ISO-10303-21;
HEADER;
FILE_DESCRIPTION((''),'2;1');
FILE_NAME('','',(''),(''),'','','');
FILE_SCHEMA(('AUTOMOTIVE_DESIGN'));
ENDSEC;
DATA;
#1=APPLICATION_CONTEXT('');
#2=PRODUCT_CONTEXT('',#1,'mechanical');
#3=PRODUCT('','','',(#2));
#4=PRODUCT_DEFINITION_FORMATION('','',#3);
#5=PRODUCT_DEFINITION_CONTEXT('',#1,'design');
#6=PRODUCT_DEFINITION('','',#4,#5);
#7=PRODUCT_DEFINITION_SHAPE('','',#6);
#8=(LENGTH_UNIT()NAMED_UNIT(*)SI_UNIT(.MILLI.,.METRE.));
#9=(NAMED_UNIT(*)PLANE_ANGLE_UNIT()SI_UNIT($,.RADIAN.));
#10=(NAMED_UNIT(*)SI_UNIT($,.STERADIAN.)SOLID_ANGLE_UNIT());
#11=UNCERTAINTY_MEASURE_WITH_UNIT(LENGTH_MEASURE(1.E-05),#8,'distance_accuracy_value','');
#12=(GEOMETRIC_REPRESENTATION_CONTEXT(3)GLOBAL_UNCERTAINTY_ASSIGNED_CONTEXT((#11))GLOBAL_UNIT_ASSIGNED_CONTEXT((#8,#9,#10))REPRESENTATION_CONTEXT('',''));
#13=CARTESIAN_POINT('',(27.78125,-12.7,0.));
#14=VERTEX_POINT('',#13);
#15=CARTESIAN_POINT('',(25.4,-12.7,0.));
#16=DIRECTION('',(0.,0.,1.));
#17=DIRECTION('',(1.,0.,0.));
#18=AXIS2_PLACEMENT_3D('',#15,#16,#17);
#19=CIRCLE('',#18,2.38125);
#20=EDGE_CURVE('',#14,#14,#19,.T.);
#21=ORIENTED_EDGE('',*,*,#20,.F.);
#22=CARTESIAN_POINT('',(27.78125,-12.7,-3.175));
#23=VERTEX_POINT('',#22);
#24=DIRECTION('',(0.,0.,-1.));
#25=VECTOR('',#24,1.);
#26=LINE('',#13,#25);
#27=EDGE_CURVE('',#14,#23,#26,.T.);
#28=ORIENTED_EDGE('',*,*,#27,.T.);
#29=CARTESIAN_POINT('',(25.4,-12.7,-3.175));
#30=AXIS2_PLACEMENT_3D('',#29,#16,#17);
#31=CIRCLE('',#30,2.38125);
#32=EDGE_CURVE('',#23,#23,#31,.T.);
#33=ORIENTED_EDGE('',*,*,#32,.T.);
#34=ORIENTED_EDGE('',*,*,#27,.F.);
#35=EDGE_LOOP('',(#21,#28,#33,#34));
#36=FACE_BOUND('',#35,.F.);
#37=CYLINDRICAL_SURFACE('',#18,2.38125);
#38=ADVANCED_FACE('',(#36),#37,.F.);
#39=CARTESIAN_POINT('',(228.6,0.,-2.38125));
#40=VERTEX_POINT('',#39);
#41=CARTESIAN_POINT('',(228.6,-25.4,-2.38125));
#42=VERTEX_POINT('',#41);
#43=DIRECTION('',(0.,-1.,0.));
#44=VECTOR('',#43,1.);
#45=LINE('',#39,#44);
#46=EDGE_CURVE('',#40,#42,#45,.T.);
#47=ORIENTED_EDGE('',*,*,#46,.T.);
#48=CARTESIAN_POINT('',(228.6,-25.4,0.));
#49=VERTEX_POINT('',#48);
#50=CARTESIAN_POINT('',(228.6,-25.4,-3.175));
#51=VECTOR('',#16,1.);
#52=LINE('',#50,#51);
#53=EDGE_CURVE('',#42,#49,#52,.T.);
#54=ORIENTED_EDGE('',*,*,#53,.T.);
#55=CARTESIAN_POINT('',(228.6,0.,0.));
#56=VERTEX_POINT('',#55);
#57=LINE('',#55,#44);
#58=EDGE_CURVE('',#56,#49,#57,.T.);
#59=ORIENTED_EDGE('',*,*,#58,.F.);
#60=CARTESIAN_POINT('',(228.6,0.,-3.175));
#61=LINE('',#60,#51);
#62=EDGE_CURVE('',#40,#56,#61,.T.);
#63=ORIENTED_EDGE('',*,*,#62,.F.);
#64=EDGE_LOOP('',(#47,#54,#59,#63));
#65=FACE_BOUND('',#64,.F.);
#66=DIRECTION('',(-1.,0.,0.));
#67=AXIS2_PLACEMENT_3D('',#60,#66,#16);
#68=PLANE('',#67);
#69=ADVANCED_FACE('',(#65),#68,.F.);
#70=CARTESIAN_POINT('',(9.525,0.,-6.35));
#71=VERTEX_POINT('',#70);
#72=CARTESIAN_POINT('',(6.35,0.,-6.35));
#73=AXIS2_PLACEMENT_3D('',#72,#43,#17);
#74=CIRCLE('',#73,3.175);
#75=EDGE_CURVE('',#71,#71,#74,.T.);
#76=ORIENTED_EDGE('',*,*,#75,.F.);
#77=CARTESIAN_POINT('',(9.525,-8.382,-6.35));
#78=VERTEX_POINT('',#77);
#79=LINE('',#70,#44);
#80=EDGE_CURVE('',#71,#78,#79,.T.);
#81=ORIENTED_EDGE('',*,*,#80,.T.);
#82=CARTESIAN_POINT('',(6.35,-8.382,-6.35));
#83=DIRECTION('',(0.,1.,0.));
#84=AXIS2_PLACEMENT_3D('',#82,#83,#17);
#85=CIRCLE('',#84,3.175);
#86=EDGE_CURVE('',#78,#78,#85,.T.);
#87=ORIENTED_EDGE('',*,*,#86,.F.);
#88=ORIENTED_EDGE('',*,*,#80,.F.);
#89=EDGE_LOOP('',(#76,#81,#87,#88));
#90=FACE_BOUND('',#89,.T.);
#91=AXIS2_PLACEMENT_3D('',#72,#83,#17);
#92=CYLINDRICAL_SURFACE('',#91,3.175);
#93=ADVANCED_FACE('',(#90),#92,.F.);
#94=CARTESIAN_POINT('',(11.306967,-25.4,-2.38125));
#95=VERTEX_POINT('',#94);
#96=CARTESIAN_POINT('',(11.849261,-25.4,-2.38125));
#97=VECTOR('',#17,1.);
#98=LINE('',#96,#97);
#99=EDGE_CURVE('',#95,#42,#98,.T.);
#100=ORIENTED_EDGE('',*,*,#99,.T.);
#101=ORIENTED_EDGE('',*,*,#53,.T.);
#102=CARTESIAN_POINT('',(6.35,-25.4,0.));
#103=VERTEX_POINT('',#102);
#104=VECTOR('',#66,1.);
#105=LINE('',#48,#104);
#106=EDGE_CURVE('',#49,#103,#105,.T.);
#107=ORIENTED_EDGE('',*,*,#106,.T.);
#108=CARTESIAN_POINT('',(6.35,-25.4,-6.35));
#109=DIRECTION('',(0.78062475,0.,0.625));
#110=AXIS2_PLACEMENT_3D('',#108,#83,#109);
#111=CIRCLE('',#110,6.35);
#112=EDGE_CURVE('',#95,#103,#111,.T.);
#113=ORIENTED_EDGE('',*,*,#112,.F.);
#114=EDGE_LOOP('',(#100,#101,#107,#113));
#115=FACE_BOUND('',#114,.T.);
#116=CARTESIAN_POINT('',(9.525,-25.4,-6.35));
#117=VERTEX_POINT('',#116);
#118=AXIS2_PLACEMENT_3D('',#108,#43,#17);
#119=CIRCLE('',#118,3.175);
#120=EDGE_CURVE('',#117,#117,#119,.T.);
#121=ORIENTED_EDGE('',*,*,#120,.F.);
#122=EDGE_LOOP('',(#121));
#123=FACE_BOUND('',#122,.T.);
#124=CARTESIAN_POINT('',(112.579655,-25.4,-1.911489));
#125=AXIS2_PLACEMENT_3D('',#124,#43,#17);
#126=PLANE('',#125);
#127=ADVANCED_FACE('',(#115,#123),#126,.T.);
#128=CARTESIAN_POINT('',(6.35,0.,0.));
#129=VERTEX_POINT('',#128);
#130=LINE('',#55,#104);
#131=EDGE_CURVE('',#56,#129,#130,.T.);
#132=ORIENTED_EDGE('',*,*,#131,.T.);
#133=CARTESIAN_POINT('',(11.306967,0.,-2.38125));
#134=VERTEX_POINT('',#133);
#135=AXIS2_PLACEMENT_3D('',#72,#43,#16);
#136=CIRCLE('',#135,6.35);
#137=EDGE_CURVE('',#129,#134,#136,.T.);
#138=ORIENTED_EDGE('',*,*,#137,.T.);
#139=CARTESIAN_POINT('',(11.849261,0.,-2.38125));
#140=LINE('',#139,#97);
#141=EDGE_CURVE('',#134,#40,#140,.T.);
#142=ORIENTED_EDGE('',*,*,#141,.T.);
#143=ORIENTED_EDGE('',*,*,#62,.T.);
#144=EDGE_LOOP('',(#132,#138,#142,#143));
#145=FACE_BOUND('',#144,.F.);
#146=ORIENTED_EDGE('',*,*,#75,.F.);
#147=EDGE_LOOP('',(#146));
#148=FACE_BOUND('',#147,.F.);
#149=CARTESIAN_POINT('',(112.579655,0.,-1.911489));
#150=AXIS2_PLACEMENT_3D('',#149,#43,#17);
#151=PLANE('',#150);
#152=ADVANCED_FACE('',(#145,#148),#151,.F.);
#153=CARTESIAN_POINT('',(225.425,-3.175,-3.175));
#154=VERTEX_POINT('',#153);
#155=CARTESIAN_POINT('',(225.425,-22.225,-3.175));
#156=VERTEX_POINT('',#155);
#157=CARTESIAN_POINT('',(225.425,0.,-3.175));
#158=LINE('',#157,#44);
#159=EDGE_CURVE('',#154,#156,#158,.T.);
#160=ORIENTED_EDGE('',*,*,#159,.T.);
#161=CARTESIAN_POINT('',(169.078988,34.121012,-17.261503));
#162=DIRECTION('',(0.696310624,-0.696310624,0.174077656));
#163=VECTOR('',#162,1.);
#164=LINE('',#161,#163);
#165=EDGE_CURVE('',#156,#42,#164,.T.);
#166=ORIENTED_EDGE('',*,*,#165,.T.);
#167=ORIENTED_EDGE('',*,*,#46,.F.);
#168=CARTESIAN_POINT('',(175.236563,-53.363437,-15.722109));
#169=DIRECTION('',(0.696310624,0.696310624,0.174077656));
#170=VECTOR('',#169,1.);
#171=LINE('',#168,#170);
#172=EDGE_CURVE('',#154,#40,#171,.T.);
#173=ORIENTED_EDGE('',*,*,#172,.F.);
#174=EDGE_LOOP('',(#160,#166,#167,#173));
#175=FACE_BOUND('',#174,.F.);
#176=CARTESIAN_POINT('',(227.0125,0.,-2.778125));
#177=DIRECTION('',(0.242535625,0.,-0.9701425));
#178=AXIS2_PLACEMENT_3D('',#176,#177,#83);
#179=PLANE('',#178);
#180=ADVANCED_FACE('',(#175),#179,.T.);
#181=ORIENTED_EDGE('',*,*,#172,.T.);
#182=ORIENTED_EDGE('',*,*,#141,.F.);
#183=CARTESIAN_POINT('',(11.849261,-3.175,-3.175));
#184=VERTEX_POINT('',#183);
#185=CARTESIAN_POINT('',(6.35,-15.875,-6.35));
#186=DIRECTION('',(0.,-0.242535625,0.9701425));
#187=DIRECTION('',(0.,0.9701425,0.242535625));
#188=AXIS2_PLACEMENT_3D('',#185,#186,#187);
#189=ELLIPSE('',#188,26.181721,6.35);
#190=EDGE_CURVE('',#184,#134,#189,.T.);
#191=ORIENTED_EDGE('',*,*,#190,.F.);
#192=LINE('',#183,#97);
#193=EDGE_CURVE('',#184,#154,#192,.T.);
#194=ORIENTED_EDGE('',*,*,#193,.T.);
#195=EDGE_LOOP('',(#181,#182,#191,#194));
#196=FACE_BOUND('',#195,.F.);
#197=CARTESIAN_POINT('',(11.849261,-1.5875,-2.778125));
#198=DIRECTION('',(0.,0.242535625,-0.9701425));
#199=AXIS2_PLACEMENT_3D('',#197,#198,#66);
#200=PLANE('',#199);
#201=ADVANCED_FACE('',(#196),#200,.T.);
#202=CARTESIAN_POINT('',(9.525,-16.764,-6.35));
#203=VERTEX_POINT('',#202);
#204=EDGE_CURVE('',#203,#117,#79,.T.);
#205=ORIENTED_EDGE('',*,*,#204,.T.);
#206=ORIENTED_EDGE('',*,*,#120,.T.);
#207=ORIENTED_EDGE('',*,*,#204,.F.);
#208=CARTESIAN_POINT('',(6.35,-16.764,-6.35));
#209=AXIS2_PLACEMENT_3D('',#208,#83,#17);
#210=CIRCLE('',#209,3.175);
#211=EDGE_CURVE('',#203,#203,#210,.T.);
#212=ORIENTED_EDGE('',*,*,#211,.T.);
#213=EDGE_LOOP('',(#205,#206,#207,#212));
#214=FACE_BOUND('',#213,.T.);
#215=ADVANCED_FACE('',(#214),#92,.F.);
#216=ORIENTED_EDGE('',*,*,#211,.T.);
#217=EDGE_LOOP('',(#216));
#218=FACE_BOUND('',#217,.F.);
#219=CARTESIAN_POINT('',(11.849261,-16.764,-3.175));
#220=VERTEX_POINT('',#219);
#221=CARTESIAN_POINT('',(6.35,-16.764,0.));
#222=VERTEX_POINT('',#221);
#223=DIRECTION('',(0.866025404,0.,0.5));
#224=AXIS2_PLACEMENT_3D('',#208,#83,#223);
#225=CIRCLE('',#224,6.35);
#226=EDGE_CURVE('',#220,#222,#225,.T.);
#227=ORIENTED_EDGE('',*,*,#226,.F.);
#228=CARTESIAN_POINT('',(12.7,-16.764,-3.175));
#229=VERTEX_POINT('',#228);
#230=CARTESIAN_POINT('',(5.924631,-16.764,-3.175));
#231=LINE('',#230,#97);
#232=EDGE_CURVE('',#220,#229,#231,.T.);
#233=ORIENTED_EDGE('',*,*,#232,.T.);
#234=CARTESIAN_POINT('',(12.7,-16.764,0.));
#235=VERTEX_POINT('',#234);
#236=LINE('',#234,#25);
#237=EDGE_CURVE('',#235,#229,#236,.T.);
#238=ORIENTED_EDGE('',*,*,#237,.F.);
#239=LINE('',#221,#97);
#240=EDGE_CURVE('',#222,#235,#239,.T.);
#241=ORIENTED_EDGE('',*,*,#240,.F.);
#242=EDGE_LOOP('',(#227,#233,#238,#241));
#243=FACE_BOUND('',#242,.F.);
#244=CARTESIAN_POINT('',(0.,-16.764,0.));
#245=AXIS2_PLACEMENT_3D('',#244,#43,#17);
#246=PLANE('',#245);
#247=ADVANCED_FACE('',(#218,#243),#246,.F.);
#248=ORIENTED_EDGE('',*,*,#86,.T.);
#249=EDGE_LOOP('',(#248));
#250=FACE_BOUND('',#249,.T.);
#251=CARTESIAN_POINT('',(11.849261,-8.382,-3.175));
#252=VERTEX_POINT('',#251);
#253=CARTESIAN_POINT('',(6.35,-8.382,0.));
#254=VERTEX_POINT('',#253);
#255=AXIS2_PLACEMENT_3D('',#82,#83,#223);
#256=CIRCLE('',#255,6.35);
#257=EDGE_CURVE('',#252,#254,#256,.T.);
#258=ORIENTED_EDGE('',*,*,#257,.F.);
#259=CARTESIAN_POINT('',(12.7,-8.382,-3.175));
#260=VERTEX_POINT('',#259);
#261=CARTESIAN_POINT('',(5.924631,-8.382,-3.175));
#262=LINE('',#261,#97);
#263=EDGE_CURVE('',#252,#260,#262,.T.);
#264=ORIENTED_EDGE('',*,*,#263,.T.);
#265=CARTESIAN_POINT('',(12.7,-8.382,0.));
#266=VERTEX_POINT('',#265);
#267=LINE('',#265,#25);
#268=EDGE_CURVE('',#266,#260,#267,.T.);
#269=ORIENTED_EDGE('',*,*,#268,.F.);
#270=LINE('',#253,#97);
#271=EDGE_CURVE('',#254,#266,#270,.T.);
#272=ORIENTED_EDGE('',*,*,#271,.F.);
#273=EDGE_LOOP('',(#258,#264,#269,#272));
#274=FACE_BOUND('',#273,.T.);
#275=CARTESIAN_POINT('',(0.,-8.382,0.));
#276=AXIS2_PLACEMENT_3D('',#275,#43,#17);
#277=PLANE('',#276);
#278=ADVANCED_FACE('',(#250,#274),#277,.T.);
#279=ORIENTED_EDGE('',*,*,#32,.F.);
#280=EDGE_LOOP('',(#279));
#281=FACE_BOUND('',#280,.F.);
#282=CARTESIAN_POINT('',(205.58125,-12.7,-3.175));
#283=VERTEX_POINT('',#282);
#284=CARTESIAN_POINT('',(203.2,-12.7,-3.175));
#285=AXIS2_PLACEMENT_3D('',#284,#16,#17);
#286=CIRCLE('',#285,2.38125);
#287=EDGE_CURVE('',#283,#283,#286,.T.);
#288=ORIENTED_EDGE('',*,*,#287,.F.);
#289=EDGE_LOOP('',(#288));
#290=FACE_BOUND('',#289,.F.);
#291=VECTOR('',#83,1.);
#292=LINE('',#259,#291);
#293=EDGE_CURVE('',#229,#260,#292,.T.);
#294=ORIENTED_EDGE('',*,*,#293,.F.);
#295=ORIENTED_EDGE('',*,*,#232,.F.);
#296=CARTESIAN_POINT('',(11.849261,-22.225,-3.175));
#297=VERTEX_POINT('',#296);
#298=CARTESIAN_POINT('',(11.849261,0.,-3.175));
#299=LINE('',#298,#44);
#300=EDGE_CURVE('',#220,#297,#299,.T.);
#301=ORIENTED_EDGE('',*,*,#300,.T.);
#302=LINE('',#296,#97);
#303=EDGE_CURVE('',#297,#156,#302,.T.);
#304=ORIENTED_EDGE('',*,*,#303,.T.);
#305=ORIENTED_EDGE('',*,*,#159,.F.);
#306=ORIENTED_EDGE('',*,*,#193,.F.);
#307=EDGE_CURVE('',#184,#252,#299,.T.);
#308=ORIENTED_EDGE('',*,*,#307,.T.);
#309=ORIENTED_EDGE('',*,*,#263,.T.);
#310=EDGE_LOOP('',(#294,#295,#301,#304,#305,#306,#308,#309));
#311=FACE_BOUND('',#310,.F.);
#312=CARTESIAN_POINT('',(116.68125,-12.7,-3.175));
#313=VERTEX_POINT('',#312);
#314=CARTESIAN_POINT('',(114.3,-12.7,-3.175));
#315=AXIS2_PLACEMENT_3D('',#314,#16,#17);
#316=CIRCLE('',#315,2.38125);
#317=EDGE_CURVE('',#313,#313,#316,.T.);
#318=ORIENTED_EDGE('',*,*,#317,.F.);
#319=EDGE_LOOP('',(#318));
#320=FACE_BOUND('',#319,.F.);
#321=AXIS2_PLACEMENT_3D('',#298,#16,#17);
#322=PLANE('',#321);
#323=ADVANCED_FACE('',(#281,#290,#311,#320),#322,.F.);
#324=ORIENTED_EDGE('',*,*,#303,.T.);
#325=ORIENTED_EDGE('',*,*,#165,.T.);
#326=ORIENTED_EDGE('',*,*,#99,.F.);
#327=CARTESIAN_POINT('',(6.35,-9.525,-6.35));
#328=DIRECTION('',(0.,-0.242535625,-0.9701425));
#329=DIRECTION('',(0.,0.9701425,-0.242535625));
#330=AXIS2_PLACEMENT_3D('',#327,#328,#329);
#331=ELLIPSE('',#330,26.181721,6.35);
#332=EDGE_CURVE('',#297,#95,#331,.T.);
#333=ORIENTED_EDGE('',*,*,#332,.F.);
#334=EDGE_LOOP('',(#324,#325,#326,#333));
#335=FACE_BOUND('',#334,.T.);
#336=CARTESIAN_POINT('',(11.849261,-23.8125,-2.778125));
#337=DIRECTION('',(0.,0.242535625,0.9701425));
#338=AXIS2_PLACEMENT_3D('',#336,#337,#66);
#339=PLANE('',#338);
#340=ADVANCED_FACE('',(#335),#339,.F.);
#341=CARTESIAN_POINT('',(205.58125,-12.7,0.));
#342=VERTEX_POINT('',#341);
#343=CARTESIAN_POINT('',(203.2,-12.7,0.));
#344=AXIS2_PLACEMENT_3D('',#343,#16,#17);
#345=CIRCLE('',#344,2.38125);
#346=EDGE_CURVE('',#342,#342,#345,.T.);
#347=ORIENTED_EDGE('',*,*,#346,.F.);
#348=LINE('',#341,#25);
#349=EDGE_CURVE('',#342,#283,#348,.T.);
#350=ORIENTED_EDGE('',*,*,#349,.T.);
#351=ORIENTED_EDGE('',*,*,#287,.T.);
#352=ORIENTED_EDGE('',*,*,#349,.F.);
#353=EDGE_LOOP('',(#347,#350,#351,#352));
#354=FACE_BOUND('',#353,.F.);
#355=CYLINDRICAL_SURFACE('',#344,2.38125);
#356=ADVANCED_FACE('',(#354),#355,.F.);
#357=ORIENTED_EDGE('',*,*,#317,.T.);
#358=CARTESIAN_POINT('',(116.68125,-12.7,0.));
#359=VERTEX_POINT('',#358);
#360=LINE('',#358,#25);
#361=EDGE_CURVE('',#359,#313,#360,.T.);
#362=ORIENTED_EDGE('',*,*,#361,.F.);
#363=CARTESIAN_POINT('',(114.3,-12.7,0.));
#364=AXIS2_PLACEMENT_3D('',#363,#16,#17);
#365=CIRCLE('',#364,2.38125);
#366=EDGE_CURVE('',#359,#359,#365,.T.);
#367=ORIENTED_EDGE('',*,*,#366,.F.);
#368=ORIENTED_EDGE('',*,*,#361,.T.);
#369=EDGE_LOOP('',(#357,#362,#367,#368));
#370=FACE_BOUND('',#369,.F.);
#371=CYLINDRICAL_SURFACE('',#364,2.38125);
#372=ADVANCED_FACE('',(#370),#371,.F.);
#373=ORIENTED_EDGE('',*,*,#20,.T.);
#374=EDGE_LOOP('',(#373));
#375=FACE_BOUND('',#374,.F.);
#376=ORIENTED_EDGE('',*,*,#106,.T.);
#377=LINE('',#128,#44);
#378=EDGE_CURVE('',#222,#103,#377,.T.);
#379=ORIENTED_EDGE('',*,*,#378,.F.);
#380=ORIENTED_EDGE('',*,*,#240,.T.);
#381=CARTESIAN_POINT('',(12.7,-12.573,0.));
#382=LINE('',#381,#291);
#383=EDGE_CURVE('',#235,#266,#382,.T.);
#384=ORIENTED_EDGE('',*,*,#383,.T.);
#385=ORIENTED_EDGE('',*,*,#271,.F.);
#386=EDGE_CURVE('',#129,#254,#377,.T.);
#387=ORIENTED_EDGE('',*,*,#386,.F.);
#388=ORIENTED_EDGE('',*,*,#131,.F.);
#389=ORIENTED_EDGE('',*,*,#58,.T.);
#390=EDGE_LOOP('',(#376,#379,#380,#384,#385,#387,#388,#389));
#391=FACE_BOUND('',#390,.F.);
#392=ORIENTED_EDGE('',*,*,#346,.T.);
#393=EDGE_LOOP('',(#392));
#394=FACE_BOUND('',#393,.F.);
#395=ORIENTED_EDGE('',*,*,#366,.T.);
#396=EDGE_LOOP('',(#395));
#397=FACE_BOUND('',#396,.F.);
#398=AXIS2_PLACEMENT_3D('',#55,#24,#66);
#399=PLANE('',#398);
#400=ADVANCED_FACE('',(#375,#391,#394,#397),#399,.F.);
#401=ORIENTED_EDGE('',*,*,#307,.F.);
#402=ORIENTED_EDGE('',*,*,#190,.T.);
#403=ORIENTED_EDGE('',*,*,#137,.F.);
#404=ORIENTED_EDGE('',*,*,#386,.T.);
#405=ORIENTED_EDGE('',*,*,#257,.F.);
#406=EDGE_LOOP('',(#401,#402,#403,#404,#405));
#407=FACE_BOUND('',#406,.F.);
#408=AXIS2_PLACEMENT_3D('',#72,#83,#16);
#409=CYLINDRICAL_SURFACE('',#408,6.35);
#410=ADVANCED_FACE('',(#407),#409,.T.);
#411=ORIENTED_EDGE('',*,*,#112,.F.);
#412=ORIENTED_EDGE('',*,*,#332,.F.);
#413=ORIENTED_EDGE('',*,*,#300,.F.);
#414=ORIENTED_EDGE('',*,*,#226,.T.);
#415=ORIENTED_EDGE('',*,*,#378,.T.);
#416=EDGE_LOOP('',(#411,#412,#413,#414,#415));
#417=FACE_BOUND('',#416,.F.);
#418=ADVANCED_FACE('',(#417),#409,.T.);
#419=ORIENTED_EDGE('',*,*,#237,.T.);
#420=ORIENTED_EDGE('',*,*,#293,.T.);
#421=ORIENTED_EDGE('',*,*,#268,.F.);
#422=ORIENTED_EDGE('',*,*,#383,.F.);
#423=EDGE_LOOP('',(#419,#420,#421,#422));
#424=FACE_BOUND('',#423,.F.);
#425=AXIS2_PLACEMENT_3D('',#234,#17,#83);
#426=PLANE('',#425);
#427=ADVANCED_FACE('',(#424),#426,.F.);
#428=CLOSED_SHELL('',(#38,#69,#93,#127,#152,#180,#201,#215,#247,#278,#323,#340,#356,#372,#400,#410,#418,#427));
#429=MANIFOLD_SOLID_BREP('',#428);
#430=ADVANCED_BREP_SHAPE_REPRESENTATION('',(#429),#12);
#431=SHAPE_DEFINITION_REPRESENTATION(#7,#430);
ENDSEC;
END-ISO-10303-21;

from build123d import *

# Parameters (mm, degrees)
F0_R     = 3.175
F1_DEPTH = 25.4
F2_R     = 2.38125
F3_DEPTH = 3.175
F4_W     = 12.7
F4_H     = 8.382
F5_DEPTH = 12.701
F6_SIZE2 = 0.79375
F6_SIZE  = 3.175


with BuildPart() as f1:
    # F0 (on Front) → F1 (new body)
    with BuildSketch(Plane.XZ):
        with BuildLine():
            Line((228.6, 0), (6.35, 0))
            ThreePointArc((6.35, 0), (3.175, -11.849261314), (11.849261314, -3.175))
            Line((11.849261314, -3.175), (228.6, -3.175))
            Line((228.6, -3.175), (228.6, 0))
        make_face()
        with Locations((6.35, -6.35)):
            Circle(F0_R, mode=Mode.SUBTRACT)
    extrude(amount=F1_DEPTH)

    # F2 (on face) → F3 (cut, through all)
    with BuildSketch(Plane.XY):
        with Locations((203.2, -12.7)):
            Circle(F2_R)
        with Locations((114.3, -12.7)):
            Circle(F2_R)
        with Locations((25.4, -12.7)):
            Circle(F2_R)
    extrude(amount=-F3_DEPTH, mode=Mode.SUBTRACT)

    # F4 (on face) → F5 (cut, through all)
    with BuildSketch(Plane.XY):
        with Locations((6.35, -12.573)):
            Rectangle(F4_W, F4_H)
    extrude(amount=-F5_DEPTH, mode=Mode.SUBTRACT)

    # F6
    f6_edges = [f1.edges().sort_by_distance(p)[0] for p in [
        (120.224631, -25.4, -3.175),
        (120.224631, 0, -3.175),
        (228.6, -12.7, -3.175),
    ]]
    f6_side = f1.faces().sort_by_distance((120.424157, -12.700166, -3.175))[0]
    chamfer(f6_edges, length=F6_SIZE, length2=F6_SIZE2, reference=f6_side)


solid = f1.part
